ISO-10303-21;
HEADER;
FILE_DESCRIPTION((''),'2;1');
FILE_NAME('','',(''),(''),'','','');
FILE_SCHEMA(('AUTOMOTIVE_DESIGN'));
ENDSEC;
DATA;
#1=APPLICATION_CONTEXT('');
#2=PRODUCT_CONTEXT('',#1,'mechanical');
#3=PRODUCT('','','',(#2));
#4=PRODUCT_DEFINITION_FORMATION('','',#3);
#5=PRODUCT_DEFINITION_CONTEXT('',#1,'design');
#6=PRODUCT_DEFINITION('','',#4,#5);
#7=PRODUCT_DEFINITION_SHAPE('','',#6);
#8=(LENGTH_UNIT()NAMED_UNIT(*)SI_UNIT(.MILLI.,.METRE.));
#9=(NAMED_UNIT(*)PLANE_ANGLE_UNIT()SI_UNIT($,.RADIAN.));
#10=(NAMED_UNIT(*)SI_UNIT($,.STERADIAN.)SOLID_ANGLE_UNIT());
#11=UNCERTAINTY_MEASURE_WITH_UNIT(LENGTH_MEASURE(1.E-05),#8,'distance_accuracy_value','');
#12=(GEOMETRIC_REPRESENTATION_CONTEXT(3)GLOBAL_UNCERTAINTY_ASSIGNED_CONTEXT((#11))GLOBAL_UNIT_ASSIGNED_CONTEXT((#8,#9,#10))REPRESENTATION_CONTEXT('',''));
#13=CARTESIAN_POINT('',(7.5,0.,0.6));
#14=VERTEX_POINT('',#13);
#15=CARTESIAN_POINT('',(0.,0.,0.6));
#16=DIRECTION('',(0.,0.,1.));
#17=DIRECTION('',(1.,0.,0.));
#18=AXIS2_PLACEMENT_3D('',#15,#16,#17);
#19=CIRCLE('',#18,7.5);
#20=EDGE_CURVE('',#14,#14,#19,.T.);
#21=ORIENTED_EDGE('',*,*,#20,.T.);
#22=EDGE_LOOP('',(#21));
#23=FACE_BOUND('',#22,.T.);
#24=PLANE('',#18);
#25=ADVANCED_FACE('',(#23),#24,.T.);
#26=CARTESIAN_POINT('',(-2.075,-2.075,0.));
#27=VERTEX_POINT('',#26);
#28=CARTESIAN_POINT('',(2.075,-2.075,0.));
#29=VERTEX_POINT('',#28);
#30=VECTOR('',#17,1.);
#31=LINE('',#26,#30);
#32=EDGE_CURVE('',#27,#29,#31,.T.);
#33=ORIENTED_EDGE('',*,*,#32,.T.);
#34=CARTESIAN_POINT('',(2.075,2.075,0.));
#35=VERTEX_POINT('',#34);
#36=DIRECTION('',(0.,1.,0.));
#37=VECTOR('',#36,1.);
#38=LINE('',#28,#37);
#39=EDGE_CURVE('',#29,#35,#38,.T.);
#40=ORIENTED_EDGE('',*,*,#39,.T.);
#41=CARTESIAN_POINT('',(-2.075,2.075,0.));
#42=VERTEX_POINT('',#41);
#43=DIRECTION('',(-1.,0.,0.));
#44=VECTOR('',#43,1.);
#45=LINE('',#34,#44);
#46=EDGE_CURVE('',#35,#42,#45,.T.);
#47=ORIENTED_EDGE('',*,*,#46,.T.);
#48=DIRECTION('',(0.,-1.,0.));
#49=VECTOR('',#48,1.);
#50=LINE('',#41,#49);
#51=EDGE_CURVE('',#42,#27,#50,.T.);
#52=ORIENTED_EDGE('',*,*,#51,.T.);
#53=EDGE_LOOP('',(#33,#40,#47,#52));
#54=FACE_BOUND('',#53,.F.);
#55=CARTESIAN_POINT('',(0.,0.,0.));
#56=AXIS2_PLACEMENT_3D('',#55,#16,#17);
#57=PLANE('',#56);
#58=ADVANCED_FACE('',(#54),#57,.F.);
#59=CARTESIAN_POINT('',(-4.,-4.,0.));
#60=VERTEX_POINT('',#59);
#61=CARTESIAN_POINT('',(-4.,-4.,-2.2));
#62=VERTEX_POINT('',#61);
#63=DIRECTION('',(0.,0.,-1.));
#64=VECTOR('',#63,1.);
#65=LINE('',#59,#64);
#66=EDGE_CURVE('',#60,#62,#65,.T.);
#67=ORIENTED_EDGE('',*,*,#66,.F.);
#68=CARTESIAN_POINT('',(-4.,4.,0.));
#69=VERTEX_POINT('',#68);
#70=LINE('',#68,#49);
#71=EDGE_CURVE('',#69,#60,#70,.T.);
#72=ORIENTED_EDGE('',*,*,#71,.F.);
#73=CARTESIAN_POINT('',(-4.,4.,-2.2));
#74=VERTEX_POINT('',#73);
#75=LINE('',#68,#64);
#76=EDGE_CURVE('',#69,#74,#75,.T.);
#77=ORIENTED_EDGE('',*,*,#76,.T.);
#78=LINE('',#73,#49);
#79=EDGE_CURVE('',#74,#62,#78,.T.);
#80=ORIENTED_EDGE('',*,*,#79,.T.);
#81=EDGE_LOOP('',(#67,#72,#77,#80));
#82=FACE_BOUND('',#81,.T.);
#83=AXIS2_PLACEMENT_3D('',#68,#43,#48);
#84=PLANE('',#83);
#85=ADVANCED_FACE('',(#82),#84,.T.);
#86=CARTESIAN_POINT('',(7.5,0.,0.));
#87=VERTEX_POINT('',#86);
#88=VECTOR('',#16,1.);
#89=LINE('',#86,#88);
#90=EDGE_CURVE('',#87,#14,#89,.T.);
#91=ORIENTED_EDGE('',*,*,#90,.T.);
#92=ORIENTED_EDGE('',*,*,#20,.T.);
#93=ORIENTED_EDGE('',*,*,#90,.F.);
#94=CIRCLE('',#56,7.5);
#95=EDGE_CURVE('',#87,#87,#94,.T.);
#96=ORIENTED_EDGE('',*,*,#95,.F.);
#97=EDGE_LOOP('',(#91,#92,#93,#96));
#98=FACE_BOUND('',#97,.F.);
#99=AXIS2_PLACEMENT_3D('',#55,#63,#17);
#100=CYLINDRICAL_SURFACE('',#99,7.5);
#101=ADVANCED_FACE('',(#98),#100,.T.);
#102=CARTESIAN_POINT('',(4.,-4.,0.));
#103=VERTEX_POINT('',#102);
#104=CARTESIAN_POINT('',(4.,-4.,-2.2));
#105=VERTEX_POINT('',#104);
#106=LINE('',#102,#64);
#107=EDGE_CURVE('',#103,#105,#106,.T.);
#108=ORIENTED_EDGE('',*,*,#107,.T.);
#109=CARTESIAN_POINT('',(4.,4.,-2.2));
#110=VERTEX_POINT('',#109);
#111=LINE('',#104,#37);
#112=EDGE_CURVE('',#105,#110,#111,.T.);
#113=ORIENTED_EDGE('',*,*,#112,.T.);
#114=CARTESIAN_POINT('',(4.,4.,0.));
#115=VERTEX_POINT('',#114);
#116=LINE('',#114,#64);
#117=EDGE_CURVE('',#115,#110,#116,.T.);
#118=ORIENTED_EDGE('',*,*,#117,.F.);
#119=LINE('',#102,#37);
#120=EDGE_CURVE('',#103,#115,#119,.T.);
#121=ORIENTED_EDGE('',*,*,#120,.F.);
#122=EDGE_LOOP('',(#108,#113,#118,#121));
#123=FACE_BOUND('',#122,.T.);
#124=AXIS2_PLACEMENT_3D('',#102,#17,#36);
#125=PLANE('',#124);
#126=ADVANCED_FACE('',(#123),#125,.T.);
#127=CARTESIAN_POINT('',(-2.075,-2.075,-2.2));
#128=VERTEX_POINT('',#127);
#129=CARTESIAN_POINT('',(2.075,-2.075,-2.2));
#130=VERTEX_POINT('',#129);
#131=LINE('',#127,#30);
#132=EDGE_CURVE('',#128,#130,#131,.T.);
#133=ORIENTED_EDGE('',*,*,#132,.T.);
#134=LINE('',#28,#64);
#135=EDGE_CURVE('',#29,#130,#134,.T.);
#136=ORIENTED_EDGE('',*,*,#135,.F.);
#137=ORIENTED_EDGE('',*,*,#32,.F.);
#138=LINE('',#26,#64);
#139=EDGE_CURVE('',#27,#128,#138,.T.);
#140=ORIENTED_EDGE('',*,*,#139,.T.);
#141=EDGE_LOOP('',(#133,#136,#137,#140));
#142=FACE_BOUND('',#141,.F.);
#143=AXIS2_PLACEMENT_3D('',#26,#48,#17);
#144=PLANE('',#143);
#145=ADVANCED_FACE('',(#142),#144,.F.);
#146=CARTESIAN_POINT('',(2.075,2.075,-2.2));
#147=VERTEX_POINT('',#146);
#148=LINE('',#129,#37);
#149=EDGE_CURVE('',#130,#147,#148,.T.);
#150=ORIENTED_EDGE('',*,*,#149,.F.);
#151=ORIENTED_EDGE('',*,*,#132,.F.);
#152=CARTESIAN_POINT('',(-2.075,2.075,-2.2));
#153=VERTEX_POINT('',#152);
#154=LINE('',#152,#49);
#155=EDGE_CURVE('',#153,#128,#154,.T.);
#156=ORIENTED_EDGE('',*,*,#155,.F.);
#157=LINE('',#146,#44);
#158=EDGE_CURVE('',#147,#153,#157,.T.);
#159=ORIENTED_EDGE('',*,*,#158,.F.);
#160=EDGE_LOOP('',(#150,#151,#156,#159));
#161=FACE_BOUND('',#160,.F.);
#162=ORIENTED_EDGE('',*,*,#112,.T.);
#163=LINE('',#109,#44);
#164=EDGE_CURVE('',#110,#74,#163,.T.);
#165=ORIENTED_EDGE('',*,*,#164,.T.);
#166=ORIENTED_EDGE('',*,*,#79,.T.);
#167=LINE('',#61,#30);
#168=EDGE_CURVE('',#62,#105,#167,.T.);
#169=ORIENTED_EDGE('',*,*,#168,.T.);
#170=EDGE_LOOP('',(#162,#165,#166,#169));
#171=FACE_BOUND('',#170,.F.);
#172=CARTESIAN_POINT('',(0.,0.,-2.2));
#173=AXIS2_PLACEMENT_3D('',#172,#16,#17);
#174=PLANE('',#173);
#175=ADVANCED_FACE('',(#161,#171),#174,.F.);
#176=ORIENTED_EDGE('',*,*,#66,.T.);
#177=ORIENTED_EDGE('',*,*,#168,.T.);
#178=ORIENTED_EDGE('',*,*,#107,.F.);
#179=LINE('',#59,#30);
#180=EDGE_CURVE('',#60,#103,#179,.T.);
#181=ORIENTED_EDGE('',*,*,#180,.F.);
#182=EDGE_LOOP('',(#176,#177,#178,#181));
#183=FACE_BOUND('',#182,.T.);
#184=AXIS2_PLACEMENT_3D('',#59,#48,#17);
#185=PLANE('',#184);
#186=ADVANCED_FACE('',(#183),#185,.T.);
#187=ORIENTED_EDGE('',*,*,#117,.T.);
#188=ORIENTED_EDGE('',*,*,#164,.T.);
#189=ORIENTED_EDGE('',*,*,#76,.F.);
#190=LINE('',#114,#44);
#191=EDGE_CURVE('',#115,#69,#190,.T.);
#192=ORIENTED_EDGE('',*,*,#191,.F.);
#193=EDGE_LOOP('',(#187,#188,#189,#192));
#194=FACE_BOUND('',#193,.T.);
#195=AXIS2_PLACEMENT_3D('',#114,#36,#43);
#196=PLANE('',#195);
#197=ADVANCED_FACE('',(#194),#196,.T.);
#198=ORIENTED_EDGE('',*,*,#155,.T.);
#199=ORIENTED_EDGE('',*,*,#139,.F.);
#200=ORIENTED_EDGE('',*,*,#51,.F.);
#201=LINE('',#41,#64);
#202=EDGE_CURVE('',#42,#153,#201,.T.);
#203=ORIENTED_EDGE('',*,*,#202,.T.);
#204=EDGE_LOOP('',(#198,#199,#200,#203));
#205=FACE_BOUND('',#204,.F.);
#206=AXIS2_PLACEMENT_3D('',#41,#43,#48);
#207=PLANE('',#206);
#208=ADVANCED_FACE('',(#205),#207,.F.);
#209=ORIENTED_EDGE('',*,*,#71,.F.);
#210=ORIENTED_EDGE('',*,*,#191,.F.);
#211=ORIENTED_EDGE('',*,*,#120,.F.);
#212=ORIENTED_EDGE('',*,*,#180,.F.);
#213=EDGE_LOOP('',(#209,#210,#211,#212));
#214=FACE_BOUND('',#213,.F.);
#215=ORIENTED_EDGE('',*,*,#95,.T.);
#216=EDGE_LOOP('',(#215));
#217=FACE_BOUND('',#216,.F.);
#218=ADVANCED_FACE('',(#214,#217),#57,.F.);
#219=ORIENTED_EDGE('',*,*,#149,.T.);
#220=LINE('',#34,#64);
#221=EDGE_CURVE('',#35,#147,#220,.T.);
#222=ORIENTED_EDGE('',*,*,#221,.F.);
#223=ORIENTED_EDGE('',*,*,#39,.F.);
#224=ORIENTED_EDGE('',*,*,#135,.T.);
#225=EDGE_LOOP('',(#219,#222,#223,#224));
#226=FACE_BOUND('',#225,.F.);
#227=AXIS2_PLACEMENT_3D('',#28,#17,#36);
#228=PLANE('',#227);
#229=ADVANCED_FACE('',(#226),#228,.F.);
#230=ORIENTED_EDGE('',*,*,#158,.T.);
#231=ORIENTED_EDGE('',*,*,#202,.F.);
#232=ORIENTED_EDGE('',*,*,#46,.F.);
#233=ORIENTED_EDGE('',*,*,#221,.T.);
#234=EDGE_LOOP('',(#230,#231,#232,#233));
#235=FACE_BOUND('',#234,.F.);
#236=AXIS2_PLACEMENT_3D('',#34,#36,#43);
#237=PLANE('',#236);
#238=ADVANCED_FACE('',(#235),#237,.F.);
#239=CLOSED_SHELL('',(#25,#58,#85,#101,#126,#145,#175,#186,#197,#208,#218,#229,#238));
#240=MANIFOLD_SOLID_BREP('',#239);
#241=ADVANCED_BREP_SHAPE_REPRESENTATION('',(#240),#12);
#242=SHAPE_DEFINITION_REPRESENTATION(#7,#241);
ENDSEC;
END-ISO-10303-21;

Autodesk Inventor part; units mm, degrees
ref_plane "YZ Plane" through (0, 0, 0) normal (1, 0, 0) x (0, 1, 0)
ref_plane "XZ Plane" through (0, 0, 0) normal (0, 1, 0) x (-1, 0, 0)
ref_plane "XY Plane" through (0, 0, 0) normal (0, 0, 1) x (1, 0, 0)
sketch "Sketch1" plane through (0, 0, 0) normal (0, 0, 1) x (1, 0, 0)
  circle A0 centre (0, 0) radius 7.5
  line L0 (2.075, 2.075) -> (-2.075, 2.075)
  line L1 (-2.075, 2.075) -> (-2.075, -2.075)
  line L2 (-2.075, -2.075) -> (2.075, -2.075)
  line L3 (2.075, -2.075) -> (2.075, 2.075)
  line L4 (2.075, 2.075) -> (-2.075, -2.075) construction
  line L5 (-2.075, 2.075) -> (2.075, -2.075) construction
  line L6 (4, 4) -> (-4, 4)
  line L7 (-4, 4) -> (-4, -4)
  line L8 (-4, -4) -> (4, -4)
  line L9 (4, -4) -> (4, 4)
  line L10 (4, 4) -> (-4, -4) construction
  line L11 (-4, 4) -> (4, -4) construction
  dimension "d0" = 15
  dimension "d3" = 4.15
  dimension "d4" = 4.15
  dimension "d5" = 8
  dimension "d6" = 8
extrude "Extrusion1" add sketch "Sketch1" along normal blind 0.6 contours A0 | L3 L2 L1 L0 | L9 L8 L7 L6
extrude "Extrusion2" add sketch "Sketch1" against normal blind 2.2 contours L9 L8 L7 L6
properties part number "buttonBatteryConnector"
